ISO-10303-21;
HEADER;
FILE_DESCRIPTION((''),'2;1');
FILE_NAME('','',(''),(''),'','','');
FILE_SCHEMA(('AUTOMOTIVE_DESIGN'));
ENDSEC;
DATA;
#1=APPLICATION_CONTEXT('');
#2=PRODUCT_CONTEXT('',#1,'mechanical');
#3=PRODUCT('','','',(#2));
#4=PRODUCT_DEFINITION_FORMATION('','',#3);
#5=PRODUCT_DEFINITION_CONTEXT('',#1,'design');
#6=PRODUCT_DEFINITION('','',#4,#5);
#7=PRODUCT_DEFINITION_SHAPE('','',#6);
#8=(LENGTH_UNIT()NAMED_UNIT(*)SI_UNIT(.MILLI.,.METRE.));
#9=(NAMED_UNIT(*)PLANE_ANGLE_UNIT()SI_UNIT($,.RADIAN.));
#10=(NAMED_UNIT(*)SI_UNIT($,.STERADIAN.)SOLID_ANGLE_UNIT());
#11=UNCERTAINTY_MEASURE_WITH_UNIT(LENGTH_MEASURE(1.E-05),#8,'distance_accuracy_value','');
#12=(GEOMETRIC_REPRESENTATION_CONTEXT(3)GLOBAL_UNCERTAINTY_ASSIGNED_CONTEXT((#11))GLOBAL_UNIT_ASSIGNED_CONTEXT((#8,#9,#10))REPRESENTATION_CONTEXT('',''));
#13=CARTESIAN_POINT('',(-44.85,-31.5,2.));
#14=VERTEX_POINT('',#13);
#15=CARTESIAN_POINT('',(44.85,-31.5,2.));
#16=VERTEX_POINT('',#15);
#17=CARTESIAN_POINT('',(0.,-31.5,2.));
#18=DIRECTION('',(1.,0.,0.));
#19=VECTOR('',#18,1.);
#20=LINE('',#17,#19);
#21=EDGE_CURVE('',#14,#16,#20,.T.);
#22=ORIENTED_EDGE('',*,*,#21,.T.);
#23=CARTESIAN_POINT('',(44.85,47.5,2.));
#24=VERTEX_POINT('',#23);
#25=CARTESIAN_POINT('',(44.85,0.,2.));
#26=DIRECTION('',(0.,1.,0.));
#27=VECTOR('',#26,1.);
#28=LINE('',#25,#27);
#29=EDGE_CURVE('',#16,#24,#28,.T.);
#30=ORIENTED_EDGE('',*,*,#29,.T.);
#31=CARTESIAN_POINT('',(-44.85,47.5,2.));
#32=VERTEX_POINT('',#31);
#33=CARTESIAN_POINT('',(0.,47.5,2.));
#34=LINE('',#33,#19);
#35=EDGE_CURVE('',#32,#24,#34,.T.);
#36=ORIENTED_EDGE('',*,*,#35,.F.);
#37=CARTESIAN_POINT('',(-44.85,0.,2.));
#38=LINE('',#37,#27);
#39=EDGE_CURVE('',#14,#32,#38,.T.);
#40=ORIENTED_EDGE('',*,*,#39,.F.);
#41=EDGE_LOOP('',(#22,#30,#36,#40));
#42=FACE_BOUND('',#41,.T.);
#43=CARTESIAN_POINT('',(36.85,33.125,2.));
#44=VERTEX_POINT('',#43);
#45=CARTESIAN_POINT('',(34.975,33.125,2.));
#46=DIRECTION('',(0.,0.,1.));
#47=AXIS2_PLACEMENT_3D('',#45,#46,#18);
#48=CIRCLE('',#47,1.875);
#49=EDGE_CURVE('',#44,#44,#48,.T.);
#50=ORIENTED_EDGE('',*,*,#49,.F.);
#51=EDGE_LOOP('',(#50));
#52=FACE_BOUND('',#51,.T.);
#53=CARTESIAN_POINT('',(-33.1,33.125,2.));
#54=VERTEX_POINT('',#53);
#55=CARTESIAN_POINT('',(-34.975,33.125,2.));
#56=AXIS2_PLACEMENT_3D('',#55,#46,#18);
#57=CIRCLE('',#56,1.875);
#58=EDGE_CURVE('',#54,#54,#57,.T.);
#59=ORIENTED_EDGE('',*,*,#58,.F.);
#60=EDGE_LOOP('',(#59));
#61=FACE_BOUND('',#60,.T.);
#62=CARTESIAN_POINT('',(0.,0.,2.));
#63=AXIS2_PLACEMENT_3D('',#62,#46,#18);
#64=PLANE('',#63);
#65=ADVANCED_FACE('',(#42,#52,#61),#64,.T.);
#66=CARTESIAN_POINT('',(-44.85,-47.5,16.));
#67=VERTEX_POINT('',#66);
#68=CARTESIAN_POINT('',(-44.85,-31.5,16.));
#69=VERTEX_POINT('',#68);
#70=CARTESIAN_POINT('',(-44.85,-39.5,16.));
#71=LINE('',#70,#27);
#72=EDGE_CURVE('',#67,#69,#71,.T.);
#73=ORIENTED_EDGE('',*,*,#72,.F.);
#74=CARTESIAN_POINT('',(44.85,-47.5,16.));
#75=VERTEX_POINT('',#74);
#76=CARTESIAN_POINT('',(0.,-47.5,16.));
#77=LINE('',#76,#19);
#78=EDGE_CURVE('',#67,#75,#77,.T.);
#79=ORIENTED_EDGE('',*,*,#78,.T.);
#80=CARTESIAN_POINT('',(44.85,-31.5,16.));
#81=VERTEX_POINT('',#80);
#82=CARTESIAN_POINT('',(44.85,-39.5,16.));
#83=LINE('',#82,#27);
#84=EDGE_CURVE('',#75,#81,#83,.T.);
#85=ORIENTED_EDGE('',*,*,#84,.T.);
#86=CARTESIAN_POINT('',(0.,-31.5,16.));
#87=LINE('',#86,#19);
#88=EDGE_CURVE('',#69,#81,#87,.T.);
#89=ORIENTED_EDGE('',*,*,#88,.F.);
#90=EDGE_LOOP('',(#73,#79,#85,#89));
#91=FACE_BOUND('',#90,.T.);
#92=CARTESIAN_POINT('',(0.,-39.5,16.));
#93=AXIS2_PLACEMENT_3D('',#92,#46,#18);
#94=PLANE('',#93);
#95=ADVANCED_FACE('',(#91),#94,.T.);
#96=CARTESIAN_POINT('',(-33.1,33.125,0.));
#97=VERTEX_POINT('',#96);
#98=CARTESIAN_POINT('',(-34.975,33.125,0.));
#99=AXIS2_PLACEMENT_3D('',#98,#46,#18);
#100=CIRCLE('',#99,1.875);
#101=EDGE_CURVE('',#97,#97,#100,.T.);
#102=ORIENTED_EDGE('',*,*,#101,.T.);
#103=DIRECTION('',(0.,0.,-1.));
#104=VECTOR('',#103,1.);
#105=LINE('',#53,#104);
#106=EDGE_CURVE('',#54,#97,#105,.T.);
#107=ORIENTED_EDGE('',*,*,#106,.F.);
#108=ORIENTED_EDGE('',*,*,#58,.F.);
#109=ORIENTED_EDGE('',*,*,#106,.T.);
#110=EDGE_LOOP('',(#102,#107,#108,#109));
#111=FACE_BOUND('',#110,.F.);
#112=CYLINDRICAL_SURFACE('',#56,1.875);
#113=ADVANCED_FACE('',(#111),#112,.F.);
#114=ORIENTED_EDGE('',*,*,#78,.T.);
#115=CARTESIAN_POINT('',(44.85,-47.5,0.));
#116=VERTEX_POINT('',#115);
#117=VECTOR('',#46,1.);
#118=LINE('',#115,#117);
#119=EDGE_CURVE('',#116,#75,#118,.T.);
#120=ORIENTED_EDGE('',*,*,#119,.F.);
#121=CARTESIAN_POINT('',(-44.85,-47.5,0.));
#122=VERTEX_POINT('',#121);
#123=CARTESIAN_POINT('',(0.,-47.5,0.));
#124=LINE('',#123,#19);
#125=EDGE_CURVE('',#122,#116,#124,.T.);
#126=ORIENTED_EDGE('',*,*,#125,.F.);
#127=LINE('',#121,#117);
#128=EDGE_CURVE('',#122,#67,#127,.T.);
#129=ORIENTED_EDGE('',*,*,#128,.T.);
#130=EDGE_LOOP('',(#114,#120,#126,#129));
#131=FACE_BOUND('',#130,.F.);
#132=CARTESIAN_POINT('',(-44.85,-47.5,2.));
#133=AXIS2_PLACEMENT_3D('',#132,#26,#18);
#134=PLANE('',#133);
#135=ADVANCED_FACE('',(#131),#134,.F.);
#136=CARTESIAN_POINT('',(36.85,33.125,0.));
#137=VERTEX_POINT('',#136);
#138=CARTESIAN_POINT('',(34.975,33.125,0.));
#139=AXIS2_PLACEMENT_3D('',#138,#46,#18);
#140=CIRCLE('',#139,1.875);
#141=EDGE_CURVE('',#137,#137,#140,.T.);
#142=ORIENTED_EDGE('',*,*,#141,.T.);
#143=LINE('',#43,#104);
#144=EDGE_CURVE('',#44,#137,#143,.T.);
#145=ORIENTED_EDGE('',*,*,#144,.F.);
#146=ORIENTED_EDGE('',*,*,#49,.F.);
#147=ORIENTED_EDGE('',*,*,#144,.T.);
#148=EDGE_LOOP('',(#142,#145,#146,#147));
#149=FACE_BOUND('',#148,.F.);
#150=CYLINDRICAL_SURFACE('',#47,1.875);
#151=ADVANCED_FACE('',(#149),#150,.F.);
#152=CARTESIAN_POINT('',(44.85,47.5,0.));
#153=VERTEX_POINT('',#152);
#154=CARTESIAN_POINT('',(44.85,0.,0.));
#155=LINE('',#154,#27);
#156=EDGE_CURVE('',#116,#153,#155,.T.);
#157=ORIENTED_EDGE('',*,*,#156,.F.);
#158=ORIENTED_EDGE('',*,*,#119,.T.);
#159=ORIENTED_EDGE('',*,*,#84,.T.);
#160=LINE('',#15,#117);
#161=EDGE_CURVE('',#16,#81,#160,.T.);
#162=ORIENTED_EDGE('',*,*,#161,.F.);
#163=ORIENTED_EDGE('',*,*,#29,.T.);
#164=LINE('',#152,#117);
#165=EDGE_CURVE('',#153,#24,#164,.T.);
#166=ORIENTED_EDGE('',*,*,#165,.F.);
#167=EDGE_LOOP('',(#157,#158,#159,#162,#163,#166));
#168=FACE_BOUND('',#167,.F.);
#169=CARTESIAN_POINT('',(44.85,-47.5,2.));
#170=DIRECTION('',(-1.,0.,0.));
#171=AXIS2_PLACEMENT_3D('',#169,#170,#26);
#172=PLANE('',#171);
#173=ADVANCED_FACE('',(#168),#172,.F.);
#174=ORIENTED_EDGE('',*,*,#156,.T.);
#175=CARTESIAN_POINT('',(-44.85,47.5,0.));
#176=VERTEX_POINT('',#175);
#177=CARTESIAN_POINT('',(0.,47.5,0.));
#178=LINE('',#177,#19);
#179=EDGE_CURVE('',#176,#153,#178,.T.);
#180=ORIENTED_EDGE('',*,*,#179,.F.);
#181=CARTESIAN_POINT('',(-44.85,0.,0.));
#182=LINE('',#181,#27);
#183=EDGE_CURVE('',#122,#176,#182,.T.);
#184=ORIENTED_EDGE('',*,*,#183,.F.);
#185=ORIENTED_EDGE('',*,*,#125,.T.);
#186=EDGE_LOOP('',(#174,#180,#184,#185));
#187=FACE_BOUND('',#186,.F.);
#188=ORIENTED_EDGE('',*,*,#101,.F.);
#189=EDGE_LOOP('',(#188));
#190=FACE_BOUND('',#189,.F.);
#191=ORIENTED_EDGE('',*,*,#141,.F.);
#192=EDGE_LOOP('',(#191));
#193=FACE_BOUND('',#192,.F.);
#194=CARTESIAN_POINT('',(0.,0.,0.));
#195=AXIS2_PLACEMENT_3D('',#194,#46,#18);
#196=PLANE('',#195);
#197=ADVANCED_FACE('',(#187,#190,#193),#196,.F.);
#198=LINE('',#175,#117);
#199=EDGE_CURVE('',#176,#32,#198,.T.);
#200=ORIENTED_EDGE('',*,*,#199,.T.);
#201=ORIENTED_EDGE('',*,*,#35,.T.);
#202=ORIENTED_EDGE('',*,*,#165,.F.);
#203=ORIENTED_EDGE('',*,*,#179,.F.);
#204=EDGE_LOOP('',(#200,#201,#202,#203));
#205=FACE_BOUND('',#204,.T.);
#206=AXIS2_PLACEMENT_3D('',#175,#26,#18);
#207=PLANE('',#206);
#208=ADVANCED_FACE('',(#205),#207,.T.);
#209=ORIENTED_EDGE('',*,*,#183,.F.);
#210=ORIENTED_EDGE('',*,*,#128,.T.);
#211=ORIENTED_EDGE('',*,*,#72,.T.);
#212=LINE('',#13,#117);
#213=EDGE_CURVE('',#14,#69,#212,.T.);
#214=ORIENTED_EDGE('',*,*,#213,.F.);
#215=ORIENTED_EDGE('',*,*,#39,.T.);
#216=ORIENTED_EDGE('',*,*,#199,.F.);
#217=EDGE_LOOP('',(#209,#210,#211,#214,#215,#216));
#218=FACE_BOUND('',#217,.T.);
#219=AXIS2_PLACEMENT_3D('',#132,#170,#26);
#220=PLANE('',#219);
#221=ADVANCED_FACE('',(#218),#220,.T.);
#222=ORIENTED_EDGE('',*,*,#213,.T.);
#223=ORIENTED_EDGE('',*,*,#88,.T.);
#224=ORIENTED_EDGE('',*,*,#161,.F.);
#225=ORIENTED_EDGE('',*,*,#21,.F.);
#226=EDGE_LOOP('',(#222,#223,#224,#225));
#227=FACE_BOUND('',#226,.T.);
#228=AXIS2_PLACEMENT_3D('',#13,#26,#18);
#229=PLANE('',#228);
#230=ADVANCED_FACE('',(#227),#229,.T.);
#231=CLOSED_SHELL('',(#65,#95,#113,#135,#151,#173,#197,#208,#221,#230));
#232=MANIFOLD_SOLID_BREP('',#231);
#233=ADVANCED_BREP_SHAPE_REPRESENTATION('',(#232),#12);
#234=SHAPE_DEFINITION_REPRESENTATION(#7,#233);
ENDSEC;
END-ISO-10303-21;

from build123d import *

# Parameters (mm, degrees)
F0_W     = 89.7
F0_H     = 95
F1_DEPTH = 2
F2_R     = 1.875
F3_DEPTH = 2.001
F4_W     = 89.7
F4_H     = 16
F5_DEPTH = 14


with BuildPart() as f1:
    # F0 (on Top) → F1 (new body)
    with BuildSketch(Plane.XY):
        Rectangle(F0_W, F0_H)
    extrude(amount=F1_DEPTH)

    # F2 (on face) → F3 (cut, through all)
    with BuildSketch(Plane.XY.offset(2)):
        with Locations((-34.975, 33.125)):
            Circle(F2_R)
        with Locations((34.975, 33.125)):
            Circle(F2_R)
    extrude(amount=-F3_DEPTH, mode=Mode.SUBTRACT)

    # F4 (on face) → F5 (join)
    with BuildSketch(Plane.XY.offset(2)):
        with Locations((0, -39.5)):
            Rectangle(F4_W, F4_H)
    extrude(amount=F5_DEPTH)


solid = f1.part
